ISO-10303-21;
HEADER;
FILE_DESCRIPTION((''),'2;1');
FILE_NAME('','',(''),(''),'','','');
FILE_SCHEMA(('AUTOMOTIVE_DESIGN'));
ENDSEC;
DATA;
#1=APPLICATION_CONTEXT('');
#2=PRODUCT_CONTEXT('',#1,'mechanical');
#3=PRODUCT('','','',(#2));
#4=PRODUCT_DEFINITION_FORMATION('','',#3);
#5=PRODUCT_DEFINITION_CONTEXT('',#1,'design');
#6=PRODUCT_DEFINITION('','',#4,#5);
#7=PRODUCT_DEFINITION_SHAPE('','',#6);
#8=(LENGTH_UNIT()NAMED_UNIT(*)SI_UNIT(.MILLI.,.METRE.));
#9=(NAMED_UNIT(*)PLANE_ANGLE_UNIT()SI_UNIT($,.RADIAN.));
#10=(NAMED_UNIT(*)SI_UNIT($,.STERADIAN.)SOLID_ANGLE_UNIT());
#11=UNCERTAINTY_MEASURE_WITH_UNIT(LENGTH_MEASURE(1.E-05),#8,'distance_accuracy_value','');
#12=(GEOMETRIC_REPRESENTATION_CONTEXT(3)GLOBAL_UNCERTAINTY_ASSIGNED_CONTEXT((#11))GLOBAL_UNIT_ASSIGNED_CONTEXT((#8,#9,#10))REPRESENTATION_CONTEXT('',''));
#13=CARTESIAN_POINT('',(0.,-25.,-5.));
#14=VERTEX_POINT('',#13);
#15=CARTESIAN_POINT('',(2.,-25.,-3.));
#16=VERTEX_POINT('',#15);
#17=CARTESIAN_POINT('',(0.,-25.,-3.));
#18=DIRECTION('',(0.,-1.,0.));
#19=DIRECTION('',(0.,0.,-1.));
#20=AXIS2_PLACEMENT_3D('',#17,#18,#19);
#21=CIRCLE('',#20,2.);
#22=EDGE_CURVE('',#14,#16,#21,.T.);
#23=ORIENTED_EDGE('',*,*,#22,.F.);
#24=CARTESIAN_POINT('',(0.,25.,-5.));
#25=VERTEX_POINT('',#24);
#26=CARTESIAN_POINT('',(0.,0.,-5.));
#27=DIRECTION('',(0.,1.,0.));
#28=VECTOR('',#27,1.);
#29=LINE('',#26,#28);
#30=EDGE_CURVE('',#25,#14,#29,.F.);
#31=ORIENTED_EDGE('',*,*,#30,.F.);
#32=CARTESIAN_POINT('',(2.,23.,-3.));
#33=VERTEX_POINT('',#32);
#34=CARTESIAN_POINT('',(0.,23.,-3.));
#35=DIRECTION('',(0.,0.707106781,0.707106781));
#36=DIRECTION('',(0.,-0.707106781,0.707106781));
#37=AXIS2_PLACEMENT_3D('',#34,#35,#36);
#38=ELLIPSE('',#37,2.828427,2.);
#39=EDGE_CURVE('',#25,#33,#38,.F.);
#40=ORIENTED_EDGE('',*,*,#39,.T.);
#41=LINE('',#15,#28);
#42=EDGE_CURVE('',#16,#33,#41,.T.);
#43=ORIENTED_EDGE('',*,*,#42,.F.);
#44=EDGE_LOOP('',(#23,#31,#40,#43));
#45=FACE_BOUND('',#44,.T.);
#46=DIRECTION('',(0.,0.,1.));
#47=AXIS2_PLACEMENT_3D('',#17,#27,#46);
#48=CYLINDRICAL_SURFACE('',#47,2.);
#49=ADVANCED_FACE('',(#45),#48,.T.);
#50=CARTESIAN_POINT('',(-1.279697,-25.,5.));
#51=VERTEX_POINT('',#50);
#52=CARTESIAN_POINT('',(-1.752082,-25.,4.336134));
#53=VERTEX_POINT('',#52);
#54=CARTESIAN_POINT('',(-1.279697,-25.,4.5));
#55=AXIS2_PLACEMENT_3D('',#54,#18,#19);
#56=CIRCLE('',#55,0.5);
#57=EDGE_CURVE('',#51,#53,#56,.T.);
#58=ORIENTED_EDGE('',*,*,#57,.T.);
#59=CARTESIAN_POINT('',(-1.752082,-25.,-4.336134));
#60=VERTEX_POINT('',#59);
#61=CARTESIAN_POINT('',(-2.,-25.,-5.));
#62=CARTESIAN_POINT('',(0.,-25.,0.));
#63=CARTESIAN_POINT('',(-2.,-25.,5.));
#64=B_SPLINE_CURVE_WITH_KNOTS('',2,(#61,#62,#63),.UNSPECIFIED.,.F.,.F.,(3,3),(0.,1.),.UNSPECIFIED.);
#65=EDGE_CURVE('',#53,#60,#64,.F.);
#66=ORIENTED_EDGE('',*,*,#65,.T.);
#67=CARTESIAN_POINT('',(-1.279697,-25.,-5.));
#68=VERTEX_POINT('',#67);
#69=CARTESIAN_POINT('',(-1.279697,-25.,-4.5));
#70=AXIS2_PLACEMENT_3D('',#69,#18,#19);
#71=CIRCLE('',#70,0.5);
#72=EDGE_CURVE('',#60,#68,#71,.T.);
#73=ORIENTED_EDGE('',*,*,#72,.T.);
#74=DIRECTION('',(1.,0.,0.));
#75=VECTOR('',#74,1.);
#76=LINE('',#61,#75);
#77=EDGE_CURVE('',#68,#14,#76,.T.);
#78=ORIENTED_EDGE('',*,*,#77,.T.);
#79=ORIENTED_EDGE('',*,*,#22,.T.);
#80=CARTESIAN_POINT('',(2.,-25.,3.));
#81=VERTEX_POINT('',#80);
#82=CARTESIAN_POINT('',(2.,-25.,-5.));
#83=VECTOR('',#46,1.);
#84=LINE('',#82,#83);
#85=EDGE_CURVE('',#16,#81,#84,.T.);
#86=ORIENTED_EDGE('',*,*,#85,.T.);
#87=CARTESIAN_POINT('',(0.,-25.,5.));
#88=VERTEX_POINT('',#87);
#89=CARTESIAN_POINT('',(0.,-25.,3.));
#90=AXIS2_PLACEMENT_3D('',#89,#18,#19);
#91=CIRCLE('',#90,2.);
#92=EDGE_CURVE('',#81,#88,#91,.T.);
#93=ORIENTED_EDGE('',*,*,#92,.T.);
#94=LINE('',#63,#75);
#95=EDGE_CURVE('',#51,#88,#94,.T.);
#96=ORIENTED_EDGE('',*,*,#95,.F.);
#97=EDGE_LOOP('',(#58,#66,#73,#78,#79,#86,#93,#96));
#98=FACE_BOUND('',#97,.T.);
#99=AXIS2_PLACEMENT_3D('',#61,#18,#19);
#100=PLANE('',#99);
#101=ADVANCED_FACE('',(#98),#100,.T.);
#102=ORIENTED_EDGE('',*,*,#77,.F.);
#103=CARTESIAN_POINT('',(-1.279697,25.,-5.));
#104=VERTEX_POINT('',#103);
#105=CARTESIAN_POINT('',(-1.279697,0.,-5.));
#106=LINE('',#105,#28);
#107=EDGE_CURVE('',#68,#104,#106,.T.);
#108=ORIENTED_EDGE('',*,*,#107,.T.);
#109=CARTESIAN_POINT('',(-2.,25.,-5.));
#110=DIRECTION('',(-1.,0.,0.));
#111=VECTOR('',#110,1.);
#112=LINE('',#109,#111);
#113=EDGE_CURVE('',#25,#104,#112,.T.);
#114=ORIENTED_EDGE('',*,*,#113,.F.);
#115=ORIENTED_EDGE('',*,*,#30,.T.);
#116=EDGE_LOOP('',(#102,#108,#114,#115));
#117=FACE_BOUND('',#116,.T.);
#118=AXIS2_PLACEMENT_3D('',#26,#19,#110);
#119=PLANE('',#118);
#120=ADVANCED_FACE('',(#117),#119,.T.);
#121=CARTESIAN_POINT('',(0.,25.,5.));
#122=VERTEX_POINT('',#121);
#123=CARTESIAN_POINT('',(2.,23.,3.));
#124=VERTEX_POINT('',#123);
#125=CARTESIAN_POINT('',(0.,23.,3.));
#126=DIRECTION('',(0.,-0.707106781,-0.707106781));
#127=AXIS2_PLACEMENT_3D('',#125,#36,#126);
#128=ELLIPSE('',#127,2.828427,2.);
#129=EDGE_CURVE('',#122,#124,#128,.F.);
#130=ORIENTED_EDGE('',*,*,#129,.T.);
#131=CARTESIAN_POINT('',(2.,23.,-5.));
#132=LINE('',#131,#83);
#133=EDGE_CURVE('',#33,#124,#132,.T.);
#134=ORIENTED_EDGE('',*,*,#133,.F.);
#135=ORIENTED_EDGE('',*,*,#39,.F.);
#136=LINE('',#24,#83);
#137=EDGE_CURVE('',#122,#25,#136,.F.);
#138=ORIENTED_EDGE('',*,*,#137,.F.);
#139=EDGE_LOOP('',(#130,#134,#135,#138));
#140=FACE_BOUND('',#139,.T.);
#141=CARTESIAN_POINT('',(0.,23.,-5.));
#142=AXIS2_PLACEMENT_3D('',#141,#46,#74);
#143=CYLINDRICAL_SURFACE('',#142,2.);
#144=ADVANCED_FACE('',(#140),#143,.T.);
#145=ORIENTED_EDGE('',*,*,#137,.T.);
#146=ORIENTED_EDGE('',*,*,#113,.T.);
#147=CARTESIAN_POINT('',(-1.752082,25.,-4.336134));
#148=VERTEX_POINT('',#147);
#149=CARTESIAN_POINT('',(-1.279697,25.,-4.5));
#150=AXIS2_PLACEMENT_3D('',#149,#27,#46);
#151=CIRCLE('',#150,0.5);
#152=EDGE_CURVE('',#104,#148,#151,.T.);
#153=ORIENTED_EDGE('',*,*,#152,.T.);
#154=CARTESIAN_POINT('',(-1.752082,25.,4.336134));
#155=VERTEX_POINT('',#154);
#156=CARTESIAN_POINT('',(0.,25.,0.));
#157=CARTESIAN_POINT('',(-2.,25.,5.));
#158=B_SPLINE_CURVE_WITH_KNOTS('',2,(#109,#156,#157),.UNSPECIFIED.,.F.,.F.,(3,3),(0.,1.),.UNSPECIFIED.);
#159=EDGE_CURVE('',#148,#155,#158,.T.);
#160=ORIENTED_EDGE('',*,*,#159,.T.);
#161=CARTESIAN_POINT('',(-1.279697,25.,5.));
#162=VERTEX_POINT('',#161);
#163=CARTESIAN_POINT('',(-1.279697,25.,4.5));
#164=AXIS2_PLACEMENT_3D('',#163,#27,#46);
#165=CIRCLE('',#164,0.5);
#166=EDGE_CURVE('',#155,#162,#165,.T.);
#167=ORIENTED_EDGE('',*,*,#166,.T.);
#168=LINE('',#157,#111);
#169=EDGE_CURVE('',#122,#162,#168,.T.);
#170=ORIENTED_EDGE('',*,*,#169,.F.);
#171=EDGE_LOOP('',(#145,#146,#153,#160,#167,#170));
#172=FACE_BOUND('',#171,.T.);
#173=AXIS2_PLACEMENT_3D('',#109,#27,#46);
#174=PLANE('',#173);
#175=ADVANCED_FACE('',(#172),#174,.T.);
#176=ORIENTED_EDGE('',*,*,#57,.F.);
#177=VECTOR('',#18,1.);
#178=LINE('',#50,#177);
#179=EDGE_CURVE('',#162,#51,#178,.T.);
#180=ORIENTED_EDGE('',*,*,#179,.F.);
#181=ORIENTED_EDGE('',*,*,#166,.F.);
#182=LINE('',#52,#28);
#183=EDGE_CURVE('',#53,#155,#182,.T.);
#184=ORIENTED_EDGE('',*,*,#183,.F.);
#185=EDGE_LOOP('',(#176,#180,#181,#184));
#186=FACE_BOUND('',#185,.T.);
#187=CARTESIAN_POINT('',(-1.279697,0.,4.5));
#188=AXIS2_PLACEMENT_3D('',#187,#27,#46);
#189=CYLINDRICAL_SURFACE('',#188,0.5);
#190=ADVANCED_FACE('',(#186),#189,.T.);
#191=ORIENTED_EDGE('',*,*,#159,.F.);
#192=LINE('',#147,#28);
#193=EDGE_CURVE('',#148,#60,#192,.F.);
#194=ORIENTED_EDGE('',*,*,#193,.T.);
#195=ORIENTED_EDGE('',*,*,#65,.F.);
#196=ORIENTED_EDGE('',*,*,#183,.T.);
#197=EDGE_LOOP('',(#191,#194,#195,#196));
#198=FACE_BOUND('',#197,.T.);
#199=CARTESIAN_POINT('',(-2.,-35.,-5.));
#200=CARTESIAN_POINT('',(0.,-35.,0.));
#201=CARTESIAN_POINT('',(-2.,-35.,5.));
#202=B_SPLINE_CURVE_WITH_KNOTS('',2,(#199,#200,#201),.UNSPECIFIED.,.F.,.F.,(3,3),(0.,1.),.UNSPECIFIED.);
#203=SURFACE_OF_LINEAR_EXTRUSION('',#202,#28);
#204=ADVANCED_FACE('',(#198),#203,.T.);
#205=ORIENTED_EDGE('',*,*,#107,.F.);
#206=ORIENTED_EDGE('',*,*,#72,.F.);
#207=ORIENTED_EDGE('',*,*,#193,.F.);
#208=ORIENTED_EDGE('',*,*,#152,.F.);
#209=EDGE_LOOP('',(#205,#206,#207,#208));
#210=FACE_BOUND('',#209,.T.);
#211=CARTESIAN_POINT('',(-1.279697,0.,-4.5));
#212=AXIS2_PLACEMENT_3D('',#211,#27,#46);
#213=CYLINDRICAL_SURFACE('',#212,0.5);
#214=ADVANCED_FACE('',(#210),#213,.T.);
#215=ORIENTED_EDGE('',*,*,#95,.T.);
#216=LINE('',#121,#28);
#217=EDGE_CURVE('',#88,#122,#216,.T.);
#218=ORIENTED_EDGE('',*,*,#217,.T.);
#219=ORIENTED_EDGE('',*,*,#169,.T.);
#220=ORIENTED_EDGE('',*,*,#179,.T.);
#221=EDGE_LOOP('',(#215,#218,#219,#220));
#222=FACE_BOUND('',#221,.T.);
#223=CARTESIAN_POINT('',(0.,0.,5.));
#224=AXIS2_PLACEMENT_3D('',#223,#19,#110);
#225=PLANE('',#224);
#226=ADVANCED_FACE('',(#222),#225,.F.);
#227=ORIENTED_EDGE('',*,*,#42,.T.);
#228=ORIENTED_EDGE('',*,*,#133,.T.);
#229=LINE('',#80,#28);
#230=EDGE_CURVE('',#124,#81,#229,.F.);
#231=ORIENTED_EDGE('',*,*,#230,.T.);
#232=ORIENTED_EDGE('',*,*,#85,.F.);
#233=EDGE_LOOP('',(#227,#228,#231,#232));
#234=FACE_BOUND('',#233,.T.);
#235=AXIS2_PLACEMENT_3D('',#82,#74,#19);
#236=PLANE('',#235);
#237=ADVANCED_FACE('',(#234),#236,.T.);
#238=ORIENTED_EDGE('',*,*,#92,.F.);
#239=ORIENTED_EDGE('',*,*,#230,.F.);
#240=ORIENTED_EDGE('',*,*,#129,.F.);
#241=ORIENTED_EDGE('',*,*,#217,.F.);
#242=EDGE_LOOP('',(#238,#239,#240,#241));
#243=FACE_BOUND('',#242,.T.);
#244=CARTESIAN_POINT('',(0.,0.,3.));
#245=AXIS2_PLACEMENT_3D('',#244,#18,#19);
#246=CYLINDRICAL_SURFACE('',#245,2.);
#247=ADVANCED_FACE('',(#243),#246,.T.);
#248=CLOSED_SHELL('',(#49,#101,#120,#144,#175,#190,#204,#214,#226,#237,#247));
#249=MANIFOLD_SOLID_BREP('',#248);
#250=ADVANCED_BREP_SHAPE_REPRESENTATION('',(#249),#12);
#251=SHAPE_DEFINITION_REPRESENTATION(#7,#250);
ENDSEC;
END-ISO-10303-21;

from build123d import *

# Parameters (mm, degrees)
BOSS_EXTRUDE1_DEPTH      = 5
BOSS_EXTRUDE1_DEPTH_BACK = 5
SKETCH1_W                = 4
SKETCH1_H                = 50
CUT_EXTRUDE1_DEPTH       = 60
FILLET2_R                = 2
FILLET3_R                = 0.5


with BuildPart() as part:
    # Sketch1 → Boss-Extrude1 (new, two sides: drawn at the far end of the back side and taken through both)
    with BuildSketch(Plane.XY.offset(-BOSS_EXTRUDE1_DEPTH_BACK)):
        Rectangle(SKETCH1_W, SKETCH1_H)
    extrude(amount=BOSS_EXTRUDE1_DEPTH + BOSS_EXTRUDE1_DEPTH_BACK)

    # Sketch2 → Cut-Extrude1 (cut)
    with BuildSketch(Plane(origin=(0, 25, 0), x_dir=(1, 0, 0), z_dir=(0, 1, 0))):
        with BuildLine():
            Line((-2, 5), (-2, -5))
            add(Edge.make_bspline(
                [(-2, -5), (0, 0), (-2, 5)],
                knots=[0.5, 0.5, 0.5, 1.5, 1.5, 1.5], degree=2))
        make_face()
    extrude(amount=-CUT_EXTRUDE1_DEPTH, mode=Mode.SUBTRACT)

    # Fillet2
    fillet2_edges = [part.edges().sort_by_distance(p)[0] for p in [
        (2, 0, -5),
        (2, 25, 0),
        (2, 0, 5),
    ]]
    fillet(fillet2_edges, radius=FILLET2_R)

    # Fillet3
    fillet3_edges = [part.edges().sort_by_distance(p)[0] for p in [
        (-2, 0, -5),
        (-2, 0, 5),
    ]]
    fillet(fillet3_edges, radius=FILLET3_R)


solid = part.part
